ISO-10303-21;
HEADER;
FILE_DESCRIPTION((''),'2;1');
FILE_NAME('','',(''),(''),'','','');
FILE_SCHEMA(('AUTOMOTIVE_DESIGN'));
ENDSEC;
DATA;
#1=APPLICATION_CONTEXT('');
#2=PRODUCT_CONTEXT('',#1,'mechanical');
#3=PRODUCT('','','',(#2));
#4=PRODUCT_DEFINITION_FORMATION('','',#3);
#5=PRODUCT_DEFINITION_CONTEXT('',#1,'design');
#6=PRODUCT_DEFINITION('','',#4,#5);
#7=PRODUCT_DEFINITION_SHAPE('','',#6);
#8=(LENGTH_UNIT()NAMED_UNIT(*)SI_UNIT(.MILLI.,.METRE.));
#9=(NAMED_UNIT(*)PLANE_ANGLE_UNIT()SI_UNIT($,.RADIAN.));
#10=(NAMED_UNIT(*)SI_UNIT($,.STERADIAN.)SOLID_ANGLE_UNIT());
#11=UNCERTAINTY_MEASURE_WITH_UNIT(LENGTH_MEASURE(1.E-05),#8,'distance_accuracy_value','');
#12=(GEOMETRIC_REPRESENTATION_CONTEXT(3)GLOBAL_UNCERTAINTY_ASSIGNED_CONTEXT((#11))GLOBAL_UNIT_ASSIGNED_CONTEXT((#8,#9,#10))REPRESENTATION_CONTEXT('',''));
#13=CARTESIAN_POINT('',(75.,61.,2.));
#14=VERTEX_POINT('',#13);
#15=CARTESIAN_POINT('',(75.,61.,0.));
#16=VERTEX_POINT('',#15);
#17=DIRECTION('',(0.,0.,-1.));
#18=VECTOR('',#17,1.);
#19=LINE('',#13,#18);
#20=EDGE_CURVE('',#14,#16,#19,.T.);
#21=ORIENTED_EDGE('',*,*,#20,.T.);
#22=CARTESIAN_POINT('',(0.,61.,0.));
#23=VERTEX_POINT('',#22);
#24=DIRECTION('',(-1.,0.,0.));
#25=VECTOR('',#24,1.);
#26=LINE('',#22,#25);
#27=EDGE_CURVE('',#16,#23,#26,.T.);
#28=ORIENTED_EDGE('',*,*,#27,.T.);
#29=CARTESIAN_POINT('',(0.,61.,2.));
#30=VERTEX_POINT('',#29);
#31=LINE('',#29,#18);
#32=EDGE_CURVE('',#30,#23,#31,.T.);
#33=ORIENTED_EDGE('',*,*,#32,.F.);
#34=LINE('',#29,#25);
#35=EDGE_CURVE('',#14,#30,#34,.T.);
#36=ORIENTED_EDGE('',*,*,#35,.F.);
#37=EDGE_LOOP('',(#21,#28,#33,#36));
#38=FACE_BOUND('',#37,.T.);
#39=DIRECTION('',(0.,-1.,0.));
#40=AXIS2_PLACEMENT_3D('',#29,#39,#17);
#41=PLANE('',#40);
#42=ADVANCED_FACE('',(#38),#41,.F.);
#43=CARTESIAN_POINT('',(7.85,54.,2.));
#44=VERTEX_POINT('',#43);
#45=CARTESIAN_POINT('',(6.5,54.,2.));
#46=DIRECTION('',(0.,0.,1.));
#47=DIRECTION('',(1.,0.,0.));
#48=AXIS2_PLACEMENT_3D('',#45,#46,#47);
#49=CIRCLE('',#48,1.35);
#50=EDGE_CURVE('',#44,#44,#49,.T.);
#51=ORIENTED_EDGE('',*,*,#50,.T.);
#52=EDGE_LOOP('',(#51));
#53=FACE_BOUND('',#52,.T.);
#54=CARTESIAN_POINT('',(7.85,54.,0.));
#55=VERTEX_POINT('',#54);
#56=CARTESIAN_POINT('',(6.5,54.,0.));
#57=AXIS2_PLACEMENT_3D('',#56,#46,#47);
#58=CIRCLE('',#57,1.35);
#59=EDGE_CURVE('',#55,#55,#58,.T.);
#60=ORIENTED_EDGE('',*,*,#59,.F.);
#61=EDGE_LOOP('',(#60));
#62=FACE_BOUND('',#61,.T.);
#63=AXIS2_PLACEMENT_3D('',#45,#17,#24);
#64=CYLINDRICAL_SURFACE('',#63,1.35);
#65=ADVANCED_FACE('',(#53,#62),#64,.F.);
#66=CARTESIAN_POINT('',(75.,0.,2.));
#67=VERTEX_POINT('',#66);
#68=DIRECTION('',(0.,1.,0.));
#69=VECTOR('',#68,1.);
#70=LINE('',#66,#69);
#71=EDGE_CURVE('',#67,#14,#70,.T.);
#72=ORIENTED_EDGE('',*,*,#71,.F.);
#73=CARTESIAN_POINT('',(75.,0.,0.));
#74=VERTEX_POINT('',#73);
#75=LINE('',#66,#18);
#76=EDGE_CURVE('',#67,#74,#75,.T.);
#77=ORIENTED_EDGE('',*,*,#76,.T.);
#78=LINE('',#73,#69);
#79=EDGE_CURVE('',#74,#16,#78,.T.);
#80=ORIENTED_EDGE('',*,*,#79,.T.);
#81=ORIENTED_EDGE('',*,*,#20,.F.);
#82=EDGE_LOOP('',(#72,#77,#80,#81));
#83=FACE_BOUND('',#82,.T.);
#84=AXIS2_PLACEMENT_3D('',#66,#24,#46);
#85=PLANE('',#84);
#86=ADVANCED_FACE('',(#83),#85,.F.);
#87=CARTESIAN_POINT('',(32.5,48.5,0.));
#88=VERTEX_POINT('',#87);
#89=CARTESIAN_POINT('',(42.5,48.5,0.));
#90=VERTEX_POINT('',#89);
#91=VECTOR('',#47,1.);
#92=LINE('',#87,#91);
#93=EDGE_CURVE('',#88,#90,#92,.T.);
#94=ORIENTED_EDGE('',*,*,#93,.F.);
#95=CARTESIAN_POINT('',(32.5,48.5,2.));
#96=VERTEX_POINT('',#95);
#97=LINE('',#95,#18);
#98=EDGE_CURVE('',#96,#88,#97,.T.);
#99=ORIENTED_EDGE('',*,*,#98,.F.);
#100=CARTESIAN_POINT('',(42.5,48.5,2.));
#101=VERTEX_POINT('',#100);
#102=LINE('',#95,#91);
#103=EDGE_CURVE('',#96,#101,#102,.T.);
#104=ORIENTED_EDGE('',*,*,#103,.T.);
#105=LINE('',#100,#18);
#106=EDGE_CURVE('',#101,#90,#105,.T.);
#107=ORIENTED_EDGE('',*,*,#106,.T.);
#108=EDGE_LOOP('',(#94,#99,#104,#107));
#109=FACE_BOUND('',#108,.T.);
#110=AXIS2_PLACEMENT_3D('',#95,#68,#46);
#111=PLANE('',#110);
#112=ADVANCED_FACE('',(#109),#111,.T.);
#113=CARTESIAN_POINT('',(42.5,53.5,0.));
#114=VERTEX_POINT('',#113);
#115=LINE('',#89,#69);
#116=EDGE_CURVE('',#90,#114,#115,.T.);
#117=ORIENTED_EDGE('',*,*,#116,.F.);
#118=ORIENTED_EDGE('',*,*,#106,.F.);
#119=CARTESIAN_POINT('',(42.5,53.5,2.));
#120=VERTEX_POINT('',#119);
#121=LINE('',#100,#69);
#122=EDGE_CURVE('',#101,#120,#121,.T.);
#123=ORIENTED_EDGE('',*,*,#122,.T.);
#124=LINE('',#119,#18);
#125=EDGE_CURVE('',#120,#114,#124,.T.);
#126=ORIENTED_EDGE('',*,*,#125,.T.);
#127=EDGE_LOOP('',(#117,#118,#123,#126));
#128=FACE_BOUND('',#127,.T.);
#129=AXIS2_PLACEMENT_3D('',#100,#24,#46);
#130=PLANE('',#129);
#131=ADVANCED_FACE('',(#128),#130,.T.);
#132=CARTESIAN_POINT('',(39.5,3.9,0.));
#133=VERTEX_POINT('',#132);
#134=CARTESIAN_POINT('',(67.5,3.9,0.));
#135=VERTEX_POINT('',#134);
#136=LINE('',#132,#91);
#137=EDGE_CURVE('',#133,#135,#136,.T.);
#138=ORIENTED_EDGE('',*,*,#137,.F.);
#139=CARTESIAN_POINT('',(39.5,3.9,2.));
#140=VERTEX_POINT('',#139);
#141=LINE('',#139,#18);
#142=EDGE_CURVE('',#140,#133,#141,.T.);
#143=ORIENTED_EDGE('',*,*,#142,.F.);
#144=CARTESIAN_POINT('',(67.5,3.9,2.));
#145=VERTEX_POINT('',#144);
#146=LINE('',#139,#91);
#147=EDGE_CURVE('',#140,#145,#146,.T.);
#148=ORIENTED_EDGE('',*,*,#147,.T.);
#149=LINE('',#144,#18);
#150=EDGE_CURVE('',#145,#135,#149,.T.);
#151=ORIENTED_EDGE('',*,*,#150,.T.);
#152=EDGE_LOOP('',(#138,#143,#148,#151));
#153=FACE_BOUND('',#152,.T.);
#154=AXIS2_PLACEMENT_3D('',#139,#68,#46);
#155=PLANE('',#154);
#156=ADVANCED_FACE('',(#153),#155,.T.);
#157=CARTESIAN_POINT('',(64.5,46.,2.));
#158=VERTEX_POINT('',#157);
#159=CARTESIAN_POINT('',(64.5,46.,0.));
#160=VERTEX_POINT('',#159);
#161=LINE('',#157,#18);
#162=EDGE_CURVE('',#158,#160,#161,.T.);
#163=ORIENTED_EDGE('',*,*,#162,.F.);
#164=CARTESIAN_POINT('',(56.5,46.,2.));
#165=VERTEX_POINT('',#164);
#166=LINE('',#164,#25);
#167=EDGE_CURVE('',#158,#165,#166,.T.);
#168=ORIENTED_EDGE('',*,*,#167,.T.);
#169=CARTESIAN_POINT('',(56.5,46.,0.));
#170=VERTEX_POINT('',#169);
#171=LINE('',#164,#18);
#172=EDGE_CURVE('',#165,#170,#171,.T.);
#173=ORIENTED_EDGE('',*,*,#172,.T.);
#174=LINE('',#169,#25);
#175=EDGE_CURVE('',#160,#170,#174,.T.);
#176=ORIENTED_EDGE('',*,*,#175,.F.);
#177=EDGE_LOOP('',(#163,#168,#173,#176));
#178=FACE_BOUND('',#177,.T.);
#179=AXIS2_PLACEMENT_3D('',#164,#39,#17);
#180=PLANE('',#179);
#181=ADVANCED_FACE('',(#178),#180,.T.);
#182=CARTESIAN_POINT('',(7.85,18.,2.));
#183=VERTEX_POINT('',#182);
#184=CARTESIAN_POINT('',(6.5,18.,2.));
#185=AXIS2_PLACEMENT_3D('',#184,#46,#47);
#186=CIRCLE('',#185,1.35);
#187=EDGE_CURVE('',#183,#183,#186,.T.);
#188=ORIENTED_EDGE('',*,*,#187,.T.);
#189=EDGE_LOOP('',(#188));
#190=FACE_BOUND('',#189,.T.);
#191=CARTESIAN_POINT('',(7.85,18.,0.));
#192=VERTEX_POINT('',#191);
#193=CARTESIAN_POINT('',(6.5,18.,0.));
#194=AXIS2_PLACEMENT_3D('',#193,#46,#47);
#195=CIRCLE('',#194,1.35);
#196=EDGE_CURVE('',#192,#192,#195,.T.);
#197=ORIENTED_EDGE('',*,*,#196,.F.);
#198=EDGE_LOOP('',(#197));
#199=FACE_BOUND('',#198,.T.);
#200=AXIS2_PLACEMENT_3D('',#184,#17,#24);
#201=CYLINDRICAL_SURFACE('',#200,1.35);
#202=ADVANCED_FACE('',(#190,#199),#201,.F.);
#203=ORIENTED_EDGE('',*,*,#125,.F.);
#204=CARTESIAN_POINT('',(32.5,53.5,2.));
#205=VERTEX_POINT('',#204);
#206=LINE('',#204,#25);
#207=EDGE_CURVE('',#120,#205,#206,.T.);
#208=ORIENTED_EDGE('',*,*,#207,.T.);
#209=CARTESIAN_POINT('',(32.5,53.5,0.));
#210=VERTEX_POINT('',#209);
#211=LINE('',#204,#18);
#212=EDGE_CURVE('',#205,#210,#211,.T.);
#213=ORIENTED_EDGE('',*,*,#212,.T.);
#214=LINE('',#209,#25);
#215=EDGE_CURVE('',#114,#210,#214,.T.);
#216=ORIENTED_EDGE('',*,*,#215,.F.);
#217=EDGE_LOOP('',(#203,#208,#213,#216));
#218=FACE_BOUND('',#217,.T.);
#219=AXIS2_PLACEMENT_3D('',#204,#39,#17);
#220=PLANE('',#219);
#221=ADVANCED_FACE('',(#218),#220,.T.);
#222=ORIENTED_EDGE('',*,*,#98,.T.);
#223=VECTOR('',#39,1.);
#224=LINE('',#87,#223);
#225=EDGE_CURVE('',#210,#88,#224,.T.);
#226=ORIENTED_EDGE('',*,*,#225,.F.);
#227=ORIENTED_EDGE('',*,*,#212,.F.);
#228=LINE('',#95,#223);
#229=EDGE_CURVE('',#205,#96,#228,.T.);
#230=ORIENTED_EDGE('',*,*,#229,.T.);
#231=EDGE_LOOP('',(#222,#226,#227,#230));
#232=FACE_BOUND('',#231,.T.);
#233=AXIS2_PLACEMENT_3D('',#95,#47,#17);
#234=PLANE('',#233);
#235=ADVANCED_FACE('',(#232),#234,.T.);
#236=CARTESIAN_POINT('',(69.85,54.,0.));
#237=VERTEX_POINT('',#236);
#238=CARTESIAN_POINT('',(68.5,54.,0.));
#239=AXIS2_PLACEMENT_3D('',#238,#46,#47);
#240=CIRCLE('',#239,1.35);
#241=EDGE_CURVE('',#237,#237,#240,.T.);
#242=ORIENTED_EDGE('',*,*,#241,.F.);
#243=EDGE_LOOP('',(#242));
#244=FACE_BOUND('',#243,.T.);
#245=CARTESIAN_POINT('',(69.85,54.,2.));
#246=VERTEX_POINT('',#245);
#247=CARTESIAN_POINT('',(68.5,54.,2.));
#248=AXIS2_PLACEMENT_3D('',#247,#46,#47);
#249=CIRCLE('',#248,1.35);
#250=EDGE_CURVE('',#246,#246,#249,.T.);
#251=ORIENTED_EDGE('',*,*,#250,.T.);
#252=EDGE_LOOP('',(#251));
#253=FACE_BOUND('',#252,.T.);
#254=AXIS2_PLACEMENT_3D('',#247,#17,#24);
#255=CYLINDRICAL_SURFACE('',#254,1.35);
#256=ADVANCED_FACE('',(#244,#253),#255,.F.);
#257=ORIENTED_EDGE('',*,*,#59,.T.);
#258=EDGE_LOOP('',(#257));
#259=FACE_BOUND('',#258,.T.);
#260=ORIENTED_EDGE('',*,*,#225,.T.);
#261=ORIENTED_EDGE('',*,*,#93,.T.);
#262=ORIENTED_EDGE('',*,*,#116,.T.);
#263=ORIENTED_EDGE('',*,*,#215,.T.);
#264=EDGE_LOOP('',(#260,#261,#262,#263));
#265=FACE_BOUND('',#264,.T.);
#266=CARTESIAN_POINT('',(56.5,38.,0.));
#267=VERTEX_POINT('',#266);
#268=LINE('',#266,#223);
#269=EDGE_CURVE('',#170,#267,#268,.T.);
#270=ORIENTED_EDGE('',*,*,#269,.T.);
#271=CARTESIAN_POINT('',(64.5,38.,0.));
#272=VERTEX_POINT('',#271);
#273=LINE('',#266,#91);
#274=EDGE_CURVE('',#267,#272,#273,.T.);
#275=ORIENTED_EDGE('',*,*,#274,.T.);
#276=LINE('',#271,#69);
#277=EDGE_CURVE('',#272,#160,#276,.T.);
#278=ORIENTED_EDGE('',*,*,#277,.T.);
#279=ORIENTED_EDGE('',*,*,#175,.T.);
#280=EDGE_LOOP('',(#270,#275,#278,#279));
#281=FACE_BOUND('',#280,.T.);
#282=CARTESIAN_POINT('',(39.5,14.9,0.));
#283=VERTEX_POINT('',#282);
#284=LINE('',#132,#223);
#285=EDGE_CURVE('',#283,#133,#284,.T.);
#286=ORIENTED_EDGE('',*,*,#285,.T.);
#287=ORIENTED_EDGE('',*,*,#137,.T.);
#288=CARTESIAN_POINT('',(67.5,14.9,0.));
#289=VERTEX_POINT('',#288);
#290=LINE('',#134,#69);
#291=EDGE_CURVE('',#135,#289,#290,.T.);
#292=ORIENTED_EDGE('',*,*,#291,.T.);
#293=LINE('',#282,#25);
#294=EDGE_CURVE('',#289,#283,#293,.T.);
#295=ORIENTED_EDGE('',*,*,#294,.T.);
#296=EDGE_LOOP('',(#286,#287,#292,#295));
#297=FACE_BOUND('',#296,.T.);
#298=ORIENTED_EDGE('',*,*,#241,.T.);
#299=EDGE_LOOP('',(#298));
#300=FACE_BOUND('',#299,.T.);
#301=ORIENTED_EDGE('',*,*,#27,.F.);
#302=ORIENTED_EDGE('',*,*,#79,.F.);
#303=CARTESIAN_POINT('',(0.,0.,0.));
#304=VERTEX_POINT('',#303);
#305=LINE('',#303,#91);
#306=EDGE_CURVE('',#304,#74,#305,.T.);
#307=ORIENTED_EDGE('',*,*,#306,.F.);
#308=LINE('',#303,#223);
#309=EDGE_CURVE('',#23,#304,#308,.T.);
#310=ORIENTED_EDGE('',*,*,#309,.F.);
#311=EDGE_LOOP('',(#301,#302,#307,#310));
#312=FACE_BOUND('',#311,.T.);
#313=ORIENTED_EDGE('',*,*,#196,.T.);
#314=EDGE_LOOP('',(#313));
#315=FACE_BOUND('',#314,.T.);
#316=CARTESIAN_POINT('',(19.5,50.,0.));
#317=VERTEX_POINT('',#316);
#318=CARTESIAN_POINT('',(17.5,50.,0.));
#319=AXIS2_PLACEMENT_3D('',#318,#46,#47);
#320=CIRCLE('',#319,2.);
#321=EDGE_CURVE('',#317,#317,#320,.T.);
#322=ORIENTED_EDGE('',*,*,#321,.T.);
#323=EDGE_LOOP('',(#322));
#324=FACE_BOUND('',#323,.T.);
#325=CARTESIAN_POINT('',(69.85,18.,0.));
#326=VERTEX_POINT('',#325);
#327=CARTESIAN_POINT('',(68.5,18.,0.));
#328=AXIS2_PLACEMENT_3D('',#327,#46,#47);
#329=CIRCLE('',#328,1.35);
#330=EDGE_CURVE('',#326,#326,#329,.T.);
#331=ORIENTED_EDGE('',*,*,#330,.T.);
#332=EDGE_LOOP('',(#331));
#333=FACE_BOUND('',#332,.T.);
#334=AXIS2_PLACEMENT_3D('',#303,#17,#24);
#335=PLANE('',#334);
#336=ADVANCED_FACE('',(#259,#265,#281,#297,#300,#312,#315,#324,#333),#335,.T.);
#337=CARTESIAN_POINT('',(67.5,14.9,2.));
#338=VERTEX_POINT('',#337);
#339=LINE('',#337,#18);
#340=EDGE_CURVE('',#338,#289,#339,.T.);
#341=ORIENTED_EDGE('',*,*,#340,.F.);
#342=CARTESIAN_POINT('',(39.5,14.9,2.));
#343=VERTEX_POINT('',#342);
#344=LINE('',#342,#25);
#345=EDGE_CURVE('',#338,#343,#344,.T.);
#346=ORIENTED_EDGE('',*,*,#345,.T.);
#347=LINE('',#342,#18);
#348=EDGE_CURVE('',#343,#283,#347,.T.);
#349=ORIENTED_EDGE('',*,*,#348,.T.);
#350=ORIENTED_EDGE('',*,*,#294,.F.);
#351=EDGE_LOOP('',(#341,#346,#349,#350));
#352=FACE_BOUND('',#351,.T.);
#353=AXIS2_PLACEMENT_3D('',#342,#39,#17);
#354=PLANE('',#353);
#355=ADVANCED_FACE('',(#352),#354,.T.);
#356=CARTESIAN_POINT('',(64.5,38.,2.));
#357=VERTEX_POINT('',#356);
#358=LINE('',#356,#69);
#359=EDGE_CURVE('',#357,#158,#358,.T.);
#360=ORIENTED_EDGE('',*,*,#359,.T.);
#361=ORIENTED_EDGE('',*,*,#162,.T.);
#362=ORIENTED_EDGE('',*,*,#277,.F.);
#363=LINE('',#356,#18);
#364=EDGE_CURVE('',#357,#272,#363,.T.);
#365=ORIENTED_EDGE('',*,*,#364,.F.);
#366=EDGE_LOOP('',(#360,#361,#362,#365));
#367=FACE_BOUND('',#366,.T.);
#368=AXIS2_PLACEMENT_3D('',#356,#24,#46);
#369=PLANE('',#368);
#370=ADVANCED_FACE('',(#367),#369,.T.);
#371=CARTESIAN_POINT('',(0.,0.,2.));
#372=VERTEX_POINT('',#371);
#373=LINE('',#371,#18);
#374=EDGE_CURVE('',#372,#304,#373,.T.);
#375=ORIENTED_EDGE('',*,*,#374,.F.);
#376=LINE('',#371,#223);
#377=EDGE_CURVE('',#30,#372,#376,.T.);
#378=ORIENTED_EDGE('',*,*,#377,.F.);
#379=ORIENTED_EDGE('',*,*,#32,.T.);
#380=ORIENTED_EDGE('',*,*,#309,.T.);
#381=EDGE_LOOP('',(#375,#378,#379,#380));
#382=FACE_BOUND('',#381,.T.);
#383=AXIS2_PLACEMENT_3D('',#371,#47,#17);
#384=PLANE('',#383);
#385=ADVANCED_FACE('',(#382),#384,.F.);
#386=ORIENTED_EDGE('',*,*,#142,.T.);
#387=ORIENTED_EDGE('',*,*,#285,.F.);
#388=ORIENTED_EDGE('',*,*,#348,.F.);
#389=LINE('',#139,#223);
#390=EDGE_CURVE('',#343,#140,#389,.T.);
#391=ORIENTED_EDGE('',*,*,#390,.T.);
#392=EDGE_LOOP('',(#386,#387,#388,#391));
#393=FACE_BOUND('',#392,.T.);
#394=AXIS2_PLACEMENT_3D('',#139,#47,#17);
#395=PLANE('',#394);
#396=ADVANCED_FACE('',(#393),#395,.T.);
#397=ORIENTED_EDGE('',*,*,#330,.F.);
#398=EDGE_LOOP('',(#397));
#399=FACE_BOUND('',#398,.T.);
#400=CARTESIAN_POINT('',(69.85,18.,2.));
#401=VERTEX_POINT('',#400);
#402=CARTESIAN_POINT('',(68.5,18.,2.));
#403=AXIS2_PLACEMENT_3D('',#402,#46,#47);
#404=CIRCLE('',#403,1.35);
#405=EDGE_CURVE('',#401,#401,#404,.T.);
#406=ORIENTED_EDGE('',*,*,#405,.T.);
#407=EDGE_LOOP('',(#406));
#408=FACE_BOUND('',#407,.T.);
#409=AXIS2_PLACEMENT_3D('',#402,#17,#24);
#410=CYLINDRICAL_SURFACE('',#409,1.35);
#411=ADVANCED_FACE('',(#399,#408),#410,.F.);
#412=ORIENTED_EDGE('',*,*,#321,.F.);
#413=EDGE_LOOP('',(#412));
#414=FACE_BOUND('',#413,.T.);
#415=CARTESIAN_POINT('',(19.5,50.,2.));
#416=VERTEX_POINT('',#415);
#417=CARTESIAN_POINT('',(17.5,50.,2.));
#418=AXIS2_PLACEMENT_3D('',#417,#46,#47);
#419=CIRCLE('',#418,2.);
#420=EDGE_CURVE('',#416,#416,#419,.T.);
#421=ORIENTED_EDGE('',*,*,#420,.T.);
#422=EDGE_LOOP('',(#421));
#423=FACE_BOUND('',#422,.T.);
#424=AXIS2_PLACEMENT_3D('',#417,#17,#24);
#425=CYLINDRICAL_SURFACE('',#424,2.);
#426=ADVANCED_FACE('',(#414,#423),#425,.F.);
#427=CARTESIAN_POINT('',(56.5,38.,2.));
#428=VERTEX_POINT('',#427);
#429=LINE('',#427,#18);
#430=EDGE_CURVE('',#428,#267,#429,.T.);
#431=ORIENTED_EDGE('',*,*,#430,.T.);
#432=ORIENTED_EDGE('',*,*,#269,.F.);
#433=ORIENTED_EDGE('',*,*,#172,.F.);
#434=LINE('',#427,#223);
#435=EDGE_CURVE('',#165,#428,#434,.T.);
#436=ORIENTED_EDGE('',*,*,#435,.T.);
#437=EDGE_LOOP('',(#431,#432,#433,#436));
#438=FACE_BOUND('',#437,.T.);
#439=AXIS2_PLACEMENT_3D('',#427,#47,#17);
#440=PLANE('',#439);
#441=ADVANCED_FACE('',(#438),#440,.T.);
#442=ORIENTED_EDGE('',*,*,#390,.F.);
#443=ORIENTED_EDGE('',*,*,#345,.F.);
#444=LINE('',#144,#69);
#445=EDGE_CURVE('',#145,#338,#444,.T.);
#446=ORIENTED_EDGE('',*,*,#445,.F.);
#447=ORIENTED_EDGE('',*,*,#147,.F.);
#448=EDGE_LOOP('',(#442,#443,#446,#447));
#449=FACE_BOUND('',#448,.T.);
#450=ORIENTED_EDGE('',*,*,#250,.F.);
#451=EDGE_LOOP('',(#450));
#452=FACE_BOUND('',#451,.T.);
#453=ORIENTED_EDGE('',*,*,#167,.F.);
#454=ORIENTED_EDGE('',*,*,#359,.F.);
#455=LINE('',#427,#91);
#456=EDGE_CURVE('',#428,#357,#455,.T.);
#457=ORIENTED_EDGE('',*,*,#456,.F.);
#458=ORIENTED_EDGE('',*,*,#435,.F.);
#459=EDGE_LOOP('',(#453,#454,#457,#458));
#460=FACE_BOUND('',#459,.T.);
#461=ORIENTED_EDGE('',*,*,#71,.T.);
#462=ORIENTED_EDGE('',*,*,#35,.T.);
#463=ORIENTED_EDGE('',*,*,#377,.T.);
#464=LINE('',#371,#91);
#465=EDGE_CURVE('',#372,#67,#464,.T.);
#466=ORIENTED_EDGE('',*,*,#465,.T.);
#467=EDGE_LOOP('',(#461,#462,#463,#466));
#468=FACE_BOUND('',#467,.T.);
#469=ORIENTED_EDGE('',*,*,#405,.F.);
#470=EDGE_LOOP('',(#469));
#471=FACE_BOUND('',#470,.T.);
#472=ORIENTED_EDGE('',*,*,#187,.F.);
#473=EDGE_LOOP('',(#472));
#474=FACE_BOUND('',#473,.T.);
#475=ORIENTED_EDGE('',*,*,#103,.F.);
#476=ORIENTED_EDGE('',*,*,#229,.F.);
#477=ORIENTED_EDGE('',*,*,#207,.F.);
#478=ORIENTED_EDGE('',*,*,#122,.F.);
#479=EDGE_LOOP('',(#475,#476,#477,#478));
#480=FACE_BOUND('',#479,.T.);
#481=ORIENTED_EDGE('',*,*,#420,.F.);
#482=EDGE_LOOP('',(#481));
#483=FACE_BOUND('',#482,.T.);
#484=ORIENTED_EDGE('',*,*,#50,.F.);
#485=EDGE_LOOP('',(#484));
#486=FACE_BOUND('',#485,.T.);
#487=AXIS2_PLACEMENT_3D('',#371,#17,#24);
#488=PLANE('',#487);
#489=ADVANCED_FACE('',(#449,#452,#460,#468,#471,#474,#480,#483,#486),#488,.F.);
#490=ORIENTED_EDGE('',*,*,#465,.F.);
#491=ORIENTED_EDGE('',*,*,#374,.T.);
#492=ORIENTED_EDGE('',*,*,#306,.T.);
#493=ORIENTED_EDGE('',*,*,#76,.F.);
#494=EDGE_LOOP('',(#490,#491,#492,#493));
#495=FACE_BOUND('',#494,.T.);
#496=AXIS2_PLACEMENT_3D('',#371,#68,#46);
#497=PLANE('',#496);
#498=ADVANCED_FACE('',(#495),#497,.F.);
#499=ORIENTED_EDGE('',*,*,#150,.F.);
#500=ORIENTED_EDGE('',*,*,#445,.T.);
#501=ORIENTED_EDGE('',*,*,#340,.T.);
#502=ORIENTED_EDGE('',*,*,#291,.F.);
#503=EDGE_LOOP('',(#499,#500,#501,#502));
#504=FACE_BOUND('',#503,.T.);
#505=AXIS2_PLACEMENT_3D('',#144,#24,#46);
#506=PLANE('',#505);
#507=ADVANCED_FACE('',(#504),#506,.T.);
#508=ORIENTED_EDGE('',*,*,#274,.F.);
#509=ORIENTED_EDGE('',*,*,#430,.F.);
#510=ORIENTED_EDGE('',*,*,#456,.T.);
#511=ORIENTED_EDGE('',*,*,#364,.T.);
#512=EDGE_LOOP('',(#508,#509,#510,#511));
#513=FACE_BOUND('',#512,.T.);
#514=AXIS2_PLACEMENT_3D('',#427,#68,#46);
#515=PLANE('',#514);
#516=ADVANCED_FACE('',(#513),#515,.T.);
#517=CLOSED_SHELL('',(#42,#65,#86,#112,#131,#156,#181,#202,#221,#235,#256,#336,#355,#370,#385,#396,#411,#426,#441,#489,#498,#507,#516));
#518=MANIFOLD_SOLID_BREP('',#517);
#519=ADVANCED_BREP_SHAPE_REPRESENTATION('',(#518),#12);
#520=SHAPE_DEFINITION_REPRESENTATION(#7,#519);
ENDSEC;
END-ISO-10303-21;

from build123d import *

# Parameters (mm, degrees)
SKETCH_1_W          = 75
SKETCH_1_H          = 61
EXTRUDE_1_DEPTH     = 2
SKETCH_2_W          = 28
SKETCH_2_H          = 11
CUT_EXTRUDE_1_DEPTH = 97.695398029
SKETCH_3_W          = 10
SKETCH_3_H          = 5
SKETCH_3_W_2        = 8
SKETCH_3_H_2        = 8
CUT_EXTRUDE_2_DEPTH = 97.695398029
SKETCH_4_R          = 1.35
CUT_EXTRUDE_3_DEPTH = 97.695398029
SKETCH_5_R          = 2
CUT_EXTRUDE_4_DEPTH = 97.695398029


with BuildPart() as part:
    # 草图1 → 凸台-拉伸1 (new body)
    with BuildSketch(Plane.XY):
        with Locations((37.5, 30.5)):
            Rectangle(SKETCH_1_W, SKETCH_1_H)
    extrude(amount=EXTRUDE_1_DEPTH)

    # 草图2 → 切除-拉伸1 (cut, through all)
    with BuildSketch(Plane.XY):
        with Locations((53.5, 9.4)):
            Rectangle(SKETCH_2_W, SKETCH_2_H)
    extrude(amount=CUT_EXTRUDE_1_DEPTH, mode=Mode.SUBTRACT)

    # 草图3 → 切除-拉伸2 (cut, through all)
    with BuildSketch(Plane.XY):
        with Locations((37.5, 51)):
            Rectangle(SKETCH_3_W, SKETCH_3_H)
        with Locations((60.5, 42)):
            Rectangle(SKETCH_3_W_2, SKETCH_3_H_2)
    extrude(amount=CUT_EXTRUDE_2_DEPTH, mode=Mode.SUBTRACT)

    # 草图4 → 切除-拉伸3 (cut, through all)
    with BuildSketch(Plane.XY):
        with Locations((6.5, 18)):
            Circle(SKETCH_4_R)
        with Locations((68.5, 18)):
            Circle(SKETCH_4_R)
        with Locations((6.5, 54)):
            Circle(SKETCH_4_R)
        with Locations((68.5, 54)):
            Circle(SKETCH_4_R)
    extrude(amount=CUT_EXTRUDE_3_DEPTH, mode=Mode.SUBTRACT)

    # 草图5 → 切除-拉伸4 (cut, through all)
    with BuildSketch(Plane.XY):
        with Locations((17.5, 50)):
            Circle(SKETCH_5_R)
    extrude(amount=CUT_EXTRUDE_4_DEPTH, mode=Mode.SUBTRACT)


solid = part.part
